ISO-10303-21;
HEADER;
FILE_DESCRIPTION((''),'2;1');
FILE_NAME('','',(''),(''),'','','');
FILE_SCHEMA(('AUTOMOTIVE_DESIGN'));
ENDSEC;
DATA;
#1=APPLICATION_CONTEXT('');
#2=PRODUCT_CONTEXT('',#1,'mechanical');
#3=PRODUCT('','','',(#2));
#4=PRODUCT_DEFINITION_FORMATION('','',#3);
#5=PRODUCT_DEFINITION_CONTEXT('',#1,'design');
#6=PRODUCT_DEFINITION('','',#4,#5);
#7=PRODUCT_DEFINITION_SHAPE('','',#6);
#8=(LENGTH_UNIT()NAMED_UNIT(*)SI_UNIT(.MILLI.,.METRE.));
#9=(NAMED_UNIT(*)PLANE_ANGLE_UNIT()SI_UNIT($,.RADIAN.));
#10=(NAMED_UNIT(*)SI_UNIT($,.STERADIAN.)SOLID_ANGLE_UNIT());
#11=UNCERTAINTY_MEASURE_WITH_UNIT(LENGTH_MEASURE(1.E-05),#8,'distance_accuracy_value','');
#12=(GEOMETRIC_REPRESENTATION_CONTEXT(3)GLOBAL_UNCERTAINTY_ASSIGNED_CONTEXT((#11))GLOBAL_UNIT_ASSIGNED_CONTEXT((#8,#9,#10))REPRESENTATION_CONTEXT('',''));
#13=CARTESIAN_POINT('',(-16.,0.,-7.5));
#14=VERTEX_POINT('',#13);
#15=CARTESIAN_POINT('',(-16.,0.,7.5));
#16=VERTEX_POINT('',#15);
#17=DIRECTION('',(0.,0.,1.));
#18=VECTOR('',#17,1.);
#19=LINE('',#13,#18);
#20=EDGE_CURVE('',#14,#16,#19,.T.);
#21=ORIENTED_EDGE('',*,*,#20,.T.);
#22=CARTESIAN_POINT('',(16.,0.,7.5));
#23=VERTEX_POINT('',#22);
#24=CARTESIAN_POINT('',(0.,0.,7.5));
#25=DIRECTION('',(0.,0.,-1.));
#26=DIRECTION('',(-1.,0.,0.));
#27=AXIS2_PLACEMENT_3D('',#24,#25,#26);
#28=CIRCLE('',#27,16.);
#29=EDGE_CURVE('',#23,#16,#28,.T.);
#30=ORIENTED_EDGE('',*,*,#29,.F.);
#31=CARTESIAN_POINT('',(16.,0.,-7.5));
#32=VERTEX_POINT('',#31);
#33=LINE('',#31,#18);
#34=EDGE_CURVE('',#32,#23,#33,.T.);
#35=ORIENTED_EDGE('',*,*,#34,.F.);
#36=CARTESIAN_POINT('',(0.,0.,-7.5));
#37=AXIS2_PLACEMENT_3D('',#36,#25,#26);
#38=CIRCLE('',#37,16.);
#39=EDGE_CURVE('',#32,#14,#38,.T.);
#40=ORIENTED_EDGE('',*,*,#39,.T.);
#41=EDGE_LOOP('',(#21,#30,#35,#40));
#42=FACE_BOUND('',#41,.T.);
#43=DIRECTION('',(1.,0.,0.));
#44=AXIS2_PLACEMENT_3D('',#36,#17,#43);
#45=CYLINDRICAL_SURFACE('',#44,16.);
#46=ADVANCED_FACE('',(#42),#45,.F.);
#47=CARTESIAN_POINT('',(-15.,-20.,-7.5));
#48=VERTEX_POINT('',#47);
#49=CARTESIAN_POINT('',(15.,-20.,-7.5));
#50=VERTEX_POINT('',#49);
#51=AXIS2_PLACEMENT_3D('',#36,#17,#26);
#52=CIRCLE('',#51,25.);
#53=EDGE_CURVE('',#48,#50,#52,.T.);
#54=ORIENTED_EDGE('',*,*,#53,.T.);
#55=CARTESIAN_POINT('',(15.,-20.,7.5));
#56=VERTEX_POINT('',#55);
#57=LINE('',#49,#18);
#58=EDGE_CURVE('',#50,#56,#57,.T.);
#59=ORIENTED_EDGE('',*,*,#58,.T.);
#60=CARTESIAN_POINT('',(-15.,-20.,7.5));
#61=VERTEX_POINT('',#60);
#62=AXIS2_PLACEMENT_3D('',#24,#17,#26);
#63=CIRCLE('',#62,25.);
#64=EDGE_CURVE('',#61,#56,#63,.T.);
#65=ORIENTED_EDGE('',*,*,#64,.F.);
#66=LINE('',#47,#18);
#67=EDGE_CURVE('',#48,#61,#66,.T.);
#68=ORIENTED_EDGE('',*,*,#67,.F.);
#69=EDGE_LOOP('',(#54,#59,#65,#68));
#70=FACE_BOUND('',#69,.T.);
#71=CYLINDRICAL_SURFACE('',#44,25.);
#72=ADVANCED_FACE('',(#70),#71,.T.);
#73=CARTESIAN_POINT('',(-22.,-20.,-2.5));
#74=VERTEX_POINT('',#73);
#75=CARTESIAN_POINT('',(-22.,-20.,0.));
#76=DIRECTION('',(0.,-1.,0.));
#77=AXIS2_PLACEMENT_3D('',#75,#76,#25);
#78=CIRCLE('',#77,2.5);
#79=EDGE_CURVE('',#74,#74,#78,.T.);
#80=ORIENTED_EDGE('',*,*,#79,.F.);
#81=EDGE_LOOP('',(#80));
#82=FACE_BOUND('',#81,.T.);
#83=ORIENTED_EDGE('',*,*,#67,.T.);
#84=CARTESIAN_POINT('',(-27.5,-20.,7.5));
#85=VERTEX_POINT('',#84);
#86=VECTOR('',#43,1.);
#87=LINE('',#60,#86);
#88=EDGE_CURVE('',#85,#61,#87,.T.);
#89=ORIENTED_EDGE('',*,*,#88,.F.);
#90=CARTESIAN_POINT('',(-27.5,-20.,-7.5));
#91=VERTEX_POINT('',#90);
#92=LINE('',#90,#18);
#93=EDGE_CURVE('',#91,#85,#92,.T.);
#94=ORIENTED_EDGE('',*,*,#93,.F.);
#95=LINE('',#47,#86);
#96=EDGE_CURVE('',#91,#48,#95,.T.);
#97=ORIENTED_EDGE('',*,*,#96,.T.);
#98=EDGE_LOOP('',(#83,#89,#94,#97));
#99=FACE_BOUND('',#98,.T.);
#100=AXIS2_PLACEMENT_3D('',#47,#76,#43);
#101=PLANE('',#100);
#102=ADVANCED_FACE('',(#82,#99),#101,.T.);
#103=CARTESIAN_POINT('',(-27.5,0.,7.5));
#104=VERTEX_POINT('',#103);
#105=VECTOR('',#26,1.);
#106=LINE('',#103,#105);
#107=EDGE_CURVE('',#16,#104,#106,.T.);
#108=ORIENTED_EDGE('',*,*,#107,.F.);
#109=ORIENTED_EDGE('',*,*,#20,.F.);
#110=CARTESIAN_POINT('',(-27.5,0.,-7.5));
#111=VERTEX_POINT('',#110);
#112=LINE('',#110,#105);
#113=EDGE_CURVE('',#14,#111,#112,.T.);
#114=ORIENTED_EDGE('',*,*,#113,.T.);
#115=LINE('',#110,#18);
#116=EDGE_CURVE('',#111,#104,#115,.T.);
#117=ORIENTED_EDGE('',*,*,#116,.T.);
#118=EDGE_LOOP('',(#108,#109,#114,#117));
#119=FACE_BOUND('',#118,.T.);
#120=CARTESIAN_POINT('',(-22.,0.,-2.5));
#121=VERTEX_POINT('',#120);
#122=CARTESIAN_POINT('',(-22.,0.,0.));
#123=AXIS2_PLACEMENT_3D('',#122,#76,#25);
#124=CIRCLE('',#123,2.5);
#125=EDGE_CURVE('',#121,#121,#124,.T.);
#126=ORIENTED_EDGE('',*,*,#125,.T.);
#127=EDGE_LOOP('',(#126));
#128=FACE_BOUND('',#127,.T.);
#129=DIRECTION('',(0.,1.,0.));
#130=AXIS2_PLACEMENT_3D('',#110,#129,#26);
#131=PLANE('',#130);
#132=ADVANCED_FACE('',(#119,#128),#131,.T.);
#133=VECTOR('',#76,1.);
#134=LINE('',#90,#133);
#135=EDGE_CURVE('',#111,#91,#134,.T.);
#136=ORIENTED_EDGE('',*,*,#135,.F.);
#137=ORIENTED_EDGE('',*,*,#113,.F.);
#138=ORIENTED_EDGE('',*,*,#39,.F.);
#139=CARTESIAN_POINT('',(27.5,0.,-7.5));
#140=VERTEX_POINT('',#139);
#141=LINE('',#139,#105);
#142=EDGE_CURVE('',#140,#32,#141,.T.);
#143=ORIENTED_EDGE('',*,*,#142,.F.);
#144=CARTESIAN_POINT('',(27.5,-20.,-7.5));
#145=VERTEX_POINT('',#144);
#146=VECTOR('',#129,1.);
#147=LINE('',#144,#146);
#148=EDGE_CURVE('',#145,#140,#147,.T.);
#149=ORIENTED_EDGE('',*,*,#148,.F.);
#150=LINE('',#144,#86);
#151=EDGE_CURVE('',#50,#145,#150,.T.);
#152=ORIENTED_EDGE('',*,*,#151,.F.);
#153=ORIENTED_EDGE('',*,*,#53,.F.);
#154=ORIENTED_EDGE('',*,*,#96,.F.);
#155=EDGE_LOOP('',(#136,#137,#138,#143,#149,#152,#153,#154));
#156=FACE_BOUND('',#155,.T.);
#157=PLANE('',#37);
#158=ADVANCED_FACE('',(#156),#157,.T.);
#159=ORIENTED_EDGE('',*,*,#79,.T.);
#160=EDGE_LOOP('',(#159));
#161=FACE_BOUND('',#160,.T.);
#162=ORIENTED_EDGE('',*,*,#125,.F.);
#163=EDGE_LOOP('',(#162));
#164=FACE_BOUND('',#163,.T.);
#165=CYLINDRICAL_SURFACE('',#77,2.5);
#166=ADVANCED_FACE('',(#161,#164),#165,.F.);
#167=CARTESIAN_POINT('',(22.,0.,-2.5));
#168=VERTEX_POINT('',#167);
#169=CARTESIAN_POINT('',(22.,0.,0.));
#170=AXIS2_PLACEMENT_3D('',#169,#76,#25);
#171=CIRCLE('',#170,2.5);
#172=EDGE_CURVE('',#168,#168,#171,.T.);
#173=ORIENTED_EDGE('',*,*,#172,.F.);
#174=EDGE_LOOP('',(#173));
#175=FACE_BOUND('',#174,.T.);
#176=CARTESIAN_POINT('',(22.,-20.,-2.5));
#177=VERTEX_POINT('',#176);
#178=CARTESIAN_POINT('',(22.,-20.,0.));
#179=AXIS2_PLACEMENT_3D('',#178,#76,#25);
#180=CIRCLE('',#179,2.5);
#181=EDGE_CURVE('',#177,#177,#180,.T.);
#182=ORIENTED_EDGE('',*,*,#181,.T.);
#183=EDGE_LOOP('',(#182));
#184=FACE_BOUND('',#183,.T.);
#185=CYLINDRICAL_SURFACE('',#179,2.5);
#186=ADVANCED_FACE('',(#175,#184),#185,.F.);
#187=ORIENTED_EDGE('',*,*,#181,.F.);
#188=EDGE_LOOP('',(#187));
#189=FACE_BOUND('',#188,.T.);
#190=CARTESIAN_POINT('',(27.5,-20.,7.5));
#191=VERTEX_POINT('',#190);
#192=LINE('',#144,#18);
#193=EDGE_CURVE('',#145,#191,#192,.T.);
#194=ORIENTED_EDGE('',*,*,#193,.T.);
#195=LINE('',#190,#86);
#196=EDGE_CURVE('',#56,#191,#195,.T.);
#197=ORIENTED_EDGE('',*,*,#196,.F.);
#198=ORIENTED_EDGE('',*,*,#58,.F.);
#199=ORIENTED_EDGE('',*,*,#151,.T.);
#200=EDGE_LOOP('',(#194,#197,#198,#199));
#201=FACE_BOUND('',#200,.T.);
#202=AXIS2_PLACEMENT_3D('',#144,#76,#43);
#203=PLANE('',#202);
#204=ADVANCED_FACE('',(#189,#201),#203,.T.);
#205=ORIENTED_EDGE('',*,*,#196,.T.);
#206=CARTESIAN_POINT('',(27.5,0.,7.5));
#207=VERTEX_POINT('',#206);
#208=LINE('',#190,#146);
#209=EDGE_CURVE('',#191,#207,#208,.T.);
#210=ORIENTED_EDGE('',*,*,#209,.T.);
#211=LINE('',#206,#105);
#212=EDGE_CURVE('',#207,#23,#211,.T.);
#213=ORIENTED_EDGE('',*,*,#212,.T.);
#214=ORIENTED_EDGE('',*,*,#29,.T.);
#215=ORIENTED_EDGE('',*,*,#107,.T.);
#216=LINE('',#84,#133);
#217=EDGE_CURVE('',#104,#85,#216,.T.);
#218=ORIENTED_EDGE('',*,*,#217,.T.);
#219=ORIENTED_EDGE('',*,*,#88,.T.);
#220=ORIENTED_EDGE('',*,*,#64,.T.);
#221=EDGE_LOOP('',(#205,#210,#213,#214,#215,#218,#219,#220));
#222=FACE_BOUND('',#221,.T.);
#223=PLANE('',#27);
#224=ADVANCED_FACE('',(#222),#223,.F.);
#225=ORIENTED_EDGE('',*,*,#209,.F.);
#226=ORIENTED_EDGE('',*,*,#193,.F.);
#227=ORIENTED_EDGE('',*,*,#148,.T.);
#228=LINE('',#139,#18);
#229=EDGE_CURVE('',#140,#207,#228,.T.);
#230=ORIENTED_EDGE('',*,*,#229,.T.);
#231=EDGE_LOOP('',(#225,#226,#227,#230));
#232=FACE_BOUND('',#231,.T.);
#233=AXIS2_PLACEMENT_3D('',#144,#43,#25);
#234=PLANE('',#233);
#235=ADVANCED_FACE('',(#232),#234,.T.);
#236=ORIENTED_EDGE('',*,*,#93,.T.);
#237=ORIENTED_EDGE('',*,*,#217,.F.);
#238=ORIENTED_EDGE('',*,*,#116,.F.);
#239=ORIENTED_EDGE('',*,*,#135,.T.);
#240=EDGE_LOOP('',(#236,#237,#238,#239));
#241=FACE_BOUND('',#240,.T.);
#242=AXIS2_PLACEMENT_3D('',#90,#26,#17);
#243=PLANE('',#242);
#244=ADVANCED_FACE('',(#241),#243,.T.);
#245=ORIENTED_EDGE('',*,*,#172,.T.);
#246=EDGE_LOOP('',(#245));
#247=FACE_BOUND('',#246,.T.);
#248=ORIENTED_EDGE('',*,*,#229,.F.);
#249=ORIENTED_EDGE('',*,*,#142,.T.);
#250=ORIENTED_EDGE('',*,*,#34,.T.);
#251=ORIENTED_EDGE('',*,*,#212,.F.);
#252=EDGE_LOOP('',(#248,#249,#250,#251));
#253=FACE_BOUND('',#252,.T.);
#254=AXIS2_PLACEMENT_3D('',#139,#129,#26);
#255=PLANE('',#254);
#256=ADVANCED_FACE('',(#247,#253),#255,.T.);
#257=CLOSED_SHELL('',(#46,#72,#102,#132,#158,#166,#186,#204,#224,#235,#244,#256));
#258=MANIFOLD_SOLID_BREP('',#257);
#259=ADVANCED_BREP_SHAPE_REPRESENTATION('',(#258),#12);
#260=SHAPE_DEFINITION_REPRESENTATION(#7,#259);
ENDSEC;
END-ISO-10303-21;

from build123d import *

# Parameters (mm, degrees)
BOSS_EXTRUDE1_DEPTH      = 7.5
BOSS_EXTRUDE1_DEPTH_BACK = 7.5
TAP_DRILL_FOR_M6_TAP1_D  = 5


with BuildPart() as part:
    # Sketch1 → Boss-Extrude1 (new, two sides: drawn at the far end of the back side and taken through both)
    with BuildSketch(Plane.XY.offset(-BOSS_EXTRUDE1_DEPTH_BACK)):
        with BuildLine():
            Line((-27.5, 0), (-16, 0))
            ThreePointArc((-16, 0), (0, -16), (16, 0))
            Line((16, 0), (27.5, 0))
            Line((27.5, 0), (27.5, -20))
            Line((27.5, -20), (15, -20))
            ThreePointArc((15, -20), (0, -25), (-15, -20))
            Line((-15, -20), (-27.5, -20))
            Line((-27.5, -20), (-27.5, 0))
        make_face()
    extrude(amount=BOSS_EXTRUDE1_DEPTH + BOSS_EXTRUDE1_DEPTH_BACK)

    # Tap Drill for M6 Tap1 (through all)
    with Locations(Plane(origin=(0, -20, 0), x_dir=(-1, 0, 0), z_dir=(0, -1, 0))):
        with Locations((22, 0), (-22, 0)):
            Hole(TAP_DRILL_FOR_M6_TAP1_D / 2)


solid = part.part
